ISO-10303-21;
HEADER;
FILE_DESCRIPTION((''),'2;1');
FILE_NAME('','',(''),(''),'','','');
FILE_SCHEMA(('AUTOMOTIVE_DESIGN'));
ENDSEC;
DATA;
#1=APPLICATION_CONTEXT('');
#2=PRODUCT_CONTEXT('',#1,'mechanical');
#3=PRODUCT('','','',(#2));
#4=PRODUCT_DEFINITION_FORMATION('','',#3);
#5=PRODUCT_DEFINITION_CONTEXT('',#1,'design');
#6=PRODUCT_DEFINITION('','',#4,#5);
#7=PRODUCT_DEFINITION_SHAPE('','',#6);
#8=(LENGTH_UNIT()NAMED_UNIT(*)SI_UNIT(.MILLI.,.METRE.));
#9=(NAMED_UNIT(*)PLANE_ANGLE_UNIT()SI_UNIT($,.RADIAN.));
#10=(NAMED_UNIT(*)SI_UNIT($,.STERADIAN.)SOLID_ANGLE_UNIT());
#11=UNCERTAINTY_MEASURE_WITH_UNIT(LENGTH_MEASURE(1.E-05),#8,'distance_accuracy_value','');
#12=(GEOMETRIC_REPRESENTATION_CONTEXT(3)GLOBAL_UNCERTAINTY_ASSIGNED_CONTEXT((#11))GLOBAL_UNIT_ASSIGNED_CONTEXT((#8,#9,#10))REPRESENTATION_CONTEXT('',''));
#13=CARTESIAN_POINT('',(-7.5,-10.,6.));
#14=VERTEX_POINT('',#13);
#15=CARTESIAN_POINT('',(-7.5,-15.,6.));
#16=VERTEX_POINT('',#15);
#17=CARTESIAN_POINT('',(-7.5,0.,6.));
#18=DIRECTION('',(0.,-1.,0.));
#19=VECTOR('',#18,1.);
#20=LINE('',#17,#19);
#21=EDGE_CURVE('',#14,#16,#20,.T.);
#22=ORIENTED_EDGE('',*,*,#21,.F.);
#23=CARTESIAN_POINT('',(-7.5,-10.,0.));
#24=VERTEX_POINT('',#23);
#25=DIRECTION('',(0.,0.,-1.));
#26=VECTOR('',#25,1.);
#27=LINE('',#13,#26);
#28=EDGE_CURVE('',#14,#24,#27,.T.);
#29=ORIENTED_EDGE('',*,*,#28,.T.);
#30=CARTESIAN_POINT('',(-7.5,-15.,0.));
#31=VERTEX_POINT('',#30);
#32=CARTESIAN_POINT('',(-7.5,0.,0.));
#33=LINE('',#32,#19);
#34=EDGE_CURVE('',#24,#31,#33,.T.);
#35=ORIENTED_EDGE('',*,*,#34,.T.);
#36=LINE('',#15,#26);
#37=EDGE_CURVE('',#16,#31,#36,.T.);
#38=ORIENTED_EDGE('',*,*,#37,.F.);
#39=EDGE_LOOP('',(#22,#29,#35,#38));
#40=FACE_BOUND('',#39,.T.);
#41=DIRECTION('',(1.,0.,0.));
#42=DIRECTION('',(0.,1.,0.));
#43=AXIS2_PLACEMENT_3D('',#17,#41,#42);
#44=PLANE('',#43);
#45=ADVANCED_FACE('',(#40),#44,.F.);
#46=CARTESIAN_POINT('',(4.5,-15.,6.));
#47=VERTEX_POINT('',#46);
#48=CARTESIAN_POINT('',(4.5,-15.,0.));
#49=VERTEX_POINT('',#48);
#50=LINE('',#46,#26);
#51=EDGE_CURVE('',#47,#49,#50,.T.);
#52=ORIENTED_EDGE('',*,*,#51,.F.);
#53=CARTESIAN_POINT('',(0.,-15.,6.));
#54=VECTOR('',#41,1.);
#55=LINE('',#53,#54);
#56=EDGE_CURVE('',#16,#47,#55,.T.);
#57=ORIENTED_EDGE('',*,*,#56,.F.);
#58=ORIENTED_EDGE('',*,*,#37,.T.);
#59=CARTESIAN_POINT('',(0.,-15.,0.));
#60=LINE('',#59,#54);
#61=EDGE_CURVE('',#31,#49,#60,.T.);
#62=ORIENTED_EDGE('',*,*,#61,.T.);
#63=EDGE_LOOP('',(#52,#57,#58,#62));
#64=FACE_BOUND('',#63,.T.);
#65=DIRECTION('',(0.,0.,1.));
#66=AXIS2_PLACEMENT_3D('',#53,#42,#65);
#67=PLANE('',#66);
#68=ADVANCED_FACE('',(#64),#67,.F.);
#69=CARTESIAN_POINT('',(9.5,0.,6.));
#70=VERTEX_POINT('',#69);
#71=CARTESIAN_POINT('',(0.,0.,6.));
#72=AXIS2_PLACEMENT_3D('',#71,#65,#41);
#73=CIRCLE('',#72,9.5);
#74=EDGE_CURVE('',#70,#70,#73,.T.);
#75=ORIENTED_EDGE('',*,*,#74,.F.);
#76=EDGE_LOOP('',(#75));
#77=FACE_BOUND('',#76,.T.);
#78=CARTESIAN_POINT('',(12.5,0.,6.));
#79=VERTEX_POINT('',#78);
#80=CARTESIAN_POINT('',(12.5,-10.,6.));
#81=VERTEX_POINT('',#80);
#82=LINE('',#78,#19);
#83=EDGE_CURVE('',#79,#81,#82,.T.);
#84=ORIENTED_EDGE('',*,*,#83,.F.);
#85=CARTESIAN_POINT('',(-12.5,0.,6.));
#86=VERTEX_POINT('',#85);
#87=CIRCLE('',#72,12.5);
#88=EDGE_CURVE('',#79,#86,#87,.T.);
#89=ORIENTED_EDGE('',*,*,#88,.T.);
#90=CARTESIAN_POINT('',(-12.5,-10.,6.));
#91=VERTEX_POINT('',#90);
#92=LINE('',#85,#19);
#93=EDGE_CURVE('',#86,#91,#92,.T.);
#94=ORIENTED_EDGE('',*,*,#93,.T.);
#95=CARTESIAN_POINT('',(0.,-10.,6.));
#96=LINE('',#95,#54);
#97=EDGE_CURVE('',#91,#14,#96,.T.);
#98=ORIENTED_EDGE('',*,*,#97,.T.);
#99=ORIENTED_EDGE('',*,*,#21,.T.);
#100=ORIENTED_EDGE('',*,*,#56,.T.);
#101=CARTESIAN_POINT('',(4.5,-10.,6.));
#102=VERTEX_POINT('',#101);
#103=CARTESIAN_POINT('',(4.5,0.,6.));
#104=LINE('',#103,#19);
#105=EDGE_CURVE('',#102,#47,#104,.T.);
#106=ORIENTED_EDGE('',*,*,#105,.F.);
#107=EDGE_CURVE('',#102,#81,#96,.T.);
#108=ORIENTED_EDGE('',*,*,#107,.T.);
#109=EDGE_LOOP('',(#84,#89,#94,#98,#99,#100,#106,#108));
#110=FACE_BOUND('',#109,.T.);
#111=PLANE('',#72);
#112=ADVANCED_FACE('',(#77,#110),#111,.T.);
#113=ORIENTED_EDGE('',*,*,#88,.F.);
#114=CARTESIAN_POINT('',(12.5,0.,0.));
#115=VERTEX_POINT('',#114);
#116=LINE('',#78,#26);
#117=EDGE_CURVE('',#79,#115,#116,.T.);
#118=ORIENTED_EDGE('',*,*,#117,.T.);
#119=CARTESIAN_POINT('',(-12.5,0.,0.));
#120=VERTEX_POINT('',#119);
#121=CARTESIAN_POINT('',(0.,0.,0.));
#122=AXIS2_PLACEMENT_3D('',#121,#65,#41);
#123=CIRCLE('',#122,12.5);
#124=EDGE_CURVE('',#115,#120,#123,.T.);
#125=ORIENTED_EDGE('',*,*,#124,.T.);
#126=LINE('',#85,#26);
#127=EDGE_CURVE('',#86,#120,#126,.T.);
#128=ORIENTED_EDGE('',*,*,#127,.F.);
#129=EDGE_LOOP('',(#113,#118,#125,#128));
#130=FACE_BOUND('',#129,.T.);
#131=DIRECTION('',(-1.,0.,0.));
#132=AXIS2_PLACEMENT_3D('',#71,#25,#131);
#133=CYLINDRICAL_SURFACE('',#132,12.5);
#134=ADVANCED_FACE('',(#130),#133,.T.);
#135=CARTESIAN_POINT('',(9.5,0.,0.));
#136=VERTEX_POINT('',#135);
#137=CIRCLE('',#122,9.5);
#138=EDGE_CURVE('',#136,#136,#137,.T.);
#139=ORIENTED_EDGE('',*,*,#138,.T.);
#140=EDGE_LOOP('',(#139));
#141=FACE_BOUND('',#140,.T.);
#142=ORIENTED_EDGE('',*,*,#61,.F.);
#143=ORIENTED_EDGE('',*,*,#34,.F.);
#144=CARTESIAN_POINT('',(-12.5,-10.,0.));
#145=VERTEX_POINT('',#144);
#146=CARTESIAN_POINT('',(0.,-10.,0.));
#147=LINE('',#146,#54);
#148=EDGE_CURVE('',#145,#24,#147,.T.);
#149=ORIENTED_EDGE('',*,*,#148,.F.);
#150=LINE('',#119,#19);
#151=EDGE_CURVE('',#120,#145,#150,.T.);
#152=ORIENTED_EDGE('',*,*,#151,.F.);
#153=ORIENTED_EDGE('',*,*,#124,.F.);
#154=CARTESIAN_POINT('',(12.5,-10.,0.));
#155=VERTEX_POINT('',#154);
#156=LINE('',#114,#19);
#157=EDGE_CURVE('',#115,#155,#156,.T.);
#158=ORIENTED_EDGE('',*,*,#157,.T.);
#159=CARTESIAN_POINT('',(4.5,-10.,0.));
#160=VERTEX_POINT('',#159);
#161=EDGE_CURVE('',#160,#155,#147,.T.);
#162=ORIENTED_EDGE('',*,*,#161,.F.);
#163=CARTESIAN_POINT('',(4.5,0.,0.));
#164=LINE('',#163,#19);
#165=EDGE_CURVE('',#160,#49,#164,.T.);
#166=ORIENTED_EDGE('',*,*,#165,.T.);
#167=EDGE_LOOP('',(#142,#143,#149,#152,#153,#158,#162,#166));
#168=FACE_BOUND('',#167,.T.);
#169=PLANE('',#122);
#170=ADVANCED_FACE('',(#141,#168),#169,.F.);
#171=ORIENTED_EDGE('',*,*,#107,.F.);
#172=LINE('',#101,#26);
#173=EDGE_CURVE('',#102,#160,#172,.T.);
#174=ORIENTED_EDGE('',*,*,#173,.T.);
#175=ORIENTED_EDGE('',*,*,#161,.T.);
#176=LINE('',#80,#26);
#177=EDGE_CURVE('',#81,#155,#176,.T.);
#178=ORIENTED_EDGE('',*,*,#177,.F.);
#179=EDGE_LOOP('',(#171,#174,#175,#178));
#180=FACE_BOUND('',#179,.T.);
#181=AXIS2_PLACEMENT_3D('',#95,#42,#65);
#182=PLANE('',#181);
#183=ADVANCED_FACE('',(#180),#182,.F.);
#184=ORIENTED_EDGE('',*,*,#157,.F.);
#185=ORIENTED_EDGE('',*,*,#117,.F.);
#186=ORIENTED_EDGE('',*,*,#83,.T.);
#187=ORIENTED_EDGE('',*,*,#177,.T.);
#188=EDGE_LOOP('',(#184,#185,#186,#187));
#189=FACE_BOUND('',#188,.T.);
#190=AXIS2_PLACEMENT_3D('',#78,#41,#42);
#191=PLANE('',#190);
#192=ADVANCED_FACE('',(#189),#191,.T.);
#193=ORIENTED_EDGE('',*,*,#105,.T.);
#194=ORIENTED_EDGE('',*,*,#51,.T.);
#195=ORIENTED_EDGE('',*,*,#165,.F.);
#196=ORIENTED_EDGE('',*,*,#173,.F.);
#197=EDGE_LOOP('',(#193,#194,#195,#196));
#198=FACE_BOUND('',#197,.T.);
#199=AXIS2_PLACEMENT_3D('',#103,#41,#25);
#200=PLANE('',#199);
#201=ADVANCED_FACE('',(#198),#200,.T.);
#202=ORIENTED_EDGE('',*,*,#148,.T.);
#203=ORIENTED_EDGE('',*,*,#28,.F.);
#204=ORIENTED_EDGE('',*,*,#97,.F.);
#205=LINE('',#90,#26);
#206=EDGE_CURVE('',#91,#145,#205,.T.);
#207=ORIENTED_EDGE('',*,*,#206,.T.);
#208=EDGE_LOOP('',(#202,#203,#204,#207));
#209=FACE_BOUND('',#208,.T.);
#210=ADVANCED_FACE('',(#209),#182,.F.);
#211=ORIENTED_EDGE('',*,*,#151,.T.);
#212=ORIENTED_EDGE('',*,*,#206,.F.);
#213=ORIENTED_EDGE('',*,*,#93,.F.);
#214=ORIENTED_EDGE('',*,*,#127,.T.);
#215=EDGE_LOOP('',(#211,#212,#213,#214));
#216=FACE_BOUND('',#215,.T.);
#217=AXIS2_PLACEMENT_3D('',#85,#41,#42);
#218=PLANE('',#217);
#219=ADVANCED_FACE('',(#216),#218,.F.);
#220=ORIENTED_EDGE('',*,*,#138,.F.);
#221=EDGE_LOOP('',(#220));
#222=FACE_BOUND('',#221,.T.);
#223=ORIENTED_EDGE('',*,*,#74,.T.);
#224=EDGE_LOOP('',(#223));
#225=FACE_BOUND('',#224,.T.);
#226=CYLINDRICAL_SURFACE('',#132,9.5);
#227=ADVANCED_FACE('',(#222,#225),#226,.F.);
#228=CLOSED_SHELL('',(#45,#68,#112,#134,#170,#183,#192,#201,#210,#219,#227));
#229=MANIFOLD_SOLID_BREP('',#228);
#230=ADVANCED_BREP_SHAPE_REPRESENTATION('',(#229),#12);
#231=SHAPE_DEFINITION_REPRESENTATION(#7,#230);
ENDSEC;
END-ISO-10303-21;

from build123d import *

# Parameters (mm, degrees)
CROQUIS1_R              = 9.5
CROQUIS1_W              = 12
CROQUIS1_H              = 5
SALIENTE_EXTRUIR1_DEPTH = 6


with BuildPart() as part:
    # Croquis1 → Saliente-Extruir1 (new body)
    # profile 1 of 2: a face of its own
    with BuildSketch(Plane.XY):
        with BuildLine():
            Line((-12.5, 0), (-12.5, -10))
            Line((-12.5, -10), (-7.5, -10))
            Line((-7.5, -10), (4.5, -10))
            Line((4.5, -10), (12.5, -10))
            Line((12.5, -10), (12.5, 0))
            ThreePointArc((12.5, 0), (0, 12.5), (-12.5, 0))
        make_face()
        Circle(CROQUIS1_R, mode=Mode.SUBTRACT)
    # profile 2 of 2: a face of its own
    with BuildSketch(Plane.XY):
        with Locations((-1.5, -12.5)):
            Rectangle(CROQUIS1_W, CROQUIS1_H)
    extrude(amount=SALIENTE_EXTRUIR1_DEPTH)


solid = part.part
